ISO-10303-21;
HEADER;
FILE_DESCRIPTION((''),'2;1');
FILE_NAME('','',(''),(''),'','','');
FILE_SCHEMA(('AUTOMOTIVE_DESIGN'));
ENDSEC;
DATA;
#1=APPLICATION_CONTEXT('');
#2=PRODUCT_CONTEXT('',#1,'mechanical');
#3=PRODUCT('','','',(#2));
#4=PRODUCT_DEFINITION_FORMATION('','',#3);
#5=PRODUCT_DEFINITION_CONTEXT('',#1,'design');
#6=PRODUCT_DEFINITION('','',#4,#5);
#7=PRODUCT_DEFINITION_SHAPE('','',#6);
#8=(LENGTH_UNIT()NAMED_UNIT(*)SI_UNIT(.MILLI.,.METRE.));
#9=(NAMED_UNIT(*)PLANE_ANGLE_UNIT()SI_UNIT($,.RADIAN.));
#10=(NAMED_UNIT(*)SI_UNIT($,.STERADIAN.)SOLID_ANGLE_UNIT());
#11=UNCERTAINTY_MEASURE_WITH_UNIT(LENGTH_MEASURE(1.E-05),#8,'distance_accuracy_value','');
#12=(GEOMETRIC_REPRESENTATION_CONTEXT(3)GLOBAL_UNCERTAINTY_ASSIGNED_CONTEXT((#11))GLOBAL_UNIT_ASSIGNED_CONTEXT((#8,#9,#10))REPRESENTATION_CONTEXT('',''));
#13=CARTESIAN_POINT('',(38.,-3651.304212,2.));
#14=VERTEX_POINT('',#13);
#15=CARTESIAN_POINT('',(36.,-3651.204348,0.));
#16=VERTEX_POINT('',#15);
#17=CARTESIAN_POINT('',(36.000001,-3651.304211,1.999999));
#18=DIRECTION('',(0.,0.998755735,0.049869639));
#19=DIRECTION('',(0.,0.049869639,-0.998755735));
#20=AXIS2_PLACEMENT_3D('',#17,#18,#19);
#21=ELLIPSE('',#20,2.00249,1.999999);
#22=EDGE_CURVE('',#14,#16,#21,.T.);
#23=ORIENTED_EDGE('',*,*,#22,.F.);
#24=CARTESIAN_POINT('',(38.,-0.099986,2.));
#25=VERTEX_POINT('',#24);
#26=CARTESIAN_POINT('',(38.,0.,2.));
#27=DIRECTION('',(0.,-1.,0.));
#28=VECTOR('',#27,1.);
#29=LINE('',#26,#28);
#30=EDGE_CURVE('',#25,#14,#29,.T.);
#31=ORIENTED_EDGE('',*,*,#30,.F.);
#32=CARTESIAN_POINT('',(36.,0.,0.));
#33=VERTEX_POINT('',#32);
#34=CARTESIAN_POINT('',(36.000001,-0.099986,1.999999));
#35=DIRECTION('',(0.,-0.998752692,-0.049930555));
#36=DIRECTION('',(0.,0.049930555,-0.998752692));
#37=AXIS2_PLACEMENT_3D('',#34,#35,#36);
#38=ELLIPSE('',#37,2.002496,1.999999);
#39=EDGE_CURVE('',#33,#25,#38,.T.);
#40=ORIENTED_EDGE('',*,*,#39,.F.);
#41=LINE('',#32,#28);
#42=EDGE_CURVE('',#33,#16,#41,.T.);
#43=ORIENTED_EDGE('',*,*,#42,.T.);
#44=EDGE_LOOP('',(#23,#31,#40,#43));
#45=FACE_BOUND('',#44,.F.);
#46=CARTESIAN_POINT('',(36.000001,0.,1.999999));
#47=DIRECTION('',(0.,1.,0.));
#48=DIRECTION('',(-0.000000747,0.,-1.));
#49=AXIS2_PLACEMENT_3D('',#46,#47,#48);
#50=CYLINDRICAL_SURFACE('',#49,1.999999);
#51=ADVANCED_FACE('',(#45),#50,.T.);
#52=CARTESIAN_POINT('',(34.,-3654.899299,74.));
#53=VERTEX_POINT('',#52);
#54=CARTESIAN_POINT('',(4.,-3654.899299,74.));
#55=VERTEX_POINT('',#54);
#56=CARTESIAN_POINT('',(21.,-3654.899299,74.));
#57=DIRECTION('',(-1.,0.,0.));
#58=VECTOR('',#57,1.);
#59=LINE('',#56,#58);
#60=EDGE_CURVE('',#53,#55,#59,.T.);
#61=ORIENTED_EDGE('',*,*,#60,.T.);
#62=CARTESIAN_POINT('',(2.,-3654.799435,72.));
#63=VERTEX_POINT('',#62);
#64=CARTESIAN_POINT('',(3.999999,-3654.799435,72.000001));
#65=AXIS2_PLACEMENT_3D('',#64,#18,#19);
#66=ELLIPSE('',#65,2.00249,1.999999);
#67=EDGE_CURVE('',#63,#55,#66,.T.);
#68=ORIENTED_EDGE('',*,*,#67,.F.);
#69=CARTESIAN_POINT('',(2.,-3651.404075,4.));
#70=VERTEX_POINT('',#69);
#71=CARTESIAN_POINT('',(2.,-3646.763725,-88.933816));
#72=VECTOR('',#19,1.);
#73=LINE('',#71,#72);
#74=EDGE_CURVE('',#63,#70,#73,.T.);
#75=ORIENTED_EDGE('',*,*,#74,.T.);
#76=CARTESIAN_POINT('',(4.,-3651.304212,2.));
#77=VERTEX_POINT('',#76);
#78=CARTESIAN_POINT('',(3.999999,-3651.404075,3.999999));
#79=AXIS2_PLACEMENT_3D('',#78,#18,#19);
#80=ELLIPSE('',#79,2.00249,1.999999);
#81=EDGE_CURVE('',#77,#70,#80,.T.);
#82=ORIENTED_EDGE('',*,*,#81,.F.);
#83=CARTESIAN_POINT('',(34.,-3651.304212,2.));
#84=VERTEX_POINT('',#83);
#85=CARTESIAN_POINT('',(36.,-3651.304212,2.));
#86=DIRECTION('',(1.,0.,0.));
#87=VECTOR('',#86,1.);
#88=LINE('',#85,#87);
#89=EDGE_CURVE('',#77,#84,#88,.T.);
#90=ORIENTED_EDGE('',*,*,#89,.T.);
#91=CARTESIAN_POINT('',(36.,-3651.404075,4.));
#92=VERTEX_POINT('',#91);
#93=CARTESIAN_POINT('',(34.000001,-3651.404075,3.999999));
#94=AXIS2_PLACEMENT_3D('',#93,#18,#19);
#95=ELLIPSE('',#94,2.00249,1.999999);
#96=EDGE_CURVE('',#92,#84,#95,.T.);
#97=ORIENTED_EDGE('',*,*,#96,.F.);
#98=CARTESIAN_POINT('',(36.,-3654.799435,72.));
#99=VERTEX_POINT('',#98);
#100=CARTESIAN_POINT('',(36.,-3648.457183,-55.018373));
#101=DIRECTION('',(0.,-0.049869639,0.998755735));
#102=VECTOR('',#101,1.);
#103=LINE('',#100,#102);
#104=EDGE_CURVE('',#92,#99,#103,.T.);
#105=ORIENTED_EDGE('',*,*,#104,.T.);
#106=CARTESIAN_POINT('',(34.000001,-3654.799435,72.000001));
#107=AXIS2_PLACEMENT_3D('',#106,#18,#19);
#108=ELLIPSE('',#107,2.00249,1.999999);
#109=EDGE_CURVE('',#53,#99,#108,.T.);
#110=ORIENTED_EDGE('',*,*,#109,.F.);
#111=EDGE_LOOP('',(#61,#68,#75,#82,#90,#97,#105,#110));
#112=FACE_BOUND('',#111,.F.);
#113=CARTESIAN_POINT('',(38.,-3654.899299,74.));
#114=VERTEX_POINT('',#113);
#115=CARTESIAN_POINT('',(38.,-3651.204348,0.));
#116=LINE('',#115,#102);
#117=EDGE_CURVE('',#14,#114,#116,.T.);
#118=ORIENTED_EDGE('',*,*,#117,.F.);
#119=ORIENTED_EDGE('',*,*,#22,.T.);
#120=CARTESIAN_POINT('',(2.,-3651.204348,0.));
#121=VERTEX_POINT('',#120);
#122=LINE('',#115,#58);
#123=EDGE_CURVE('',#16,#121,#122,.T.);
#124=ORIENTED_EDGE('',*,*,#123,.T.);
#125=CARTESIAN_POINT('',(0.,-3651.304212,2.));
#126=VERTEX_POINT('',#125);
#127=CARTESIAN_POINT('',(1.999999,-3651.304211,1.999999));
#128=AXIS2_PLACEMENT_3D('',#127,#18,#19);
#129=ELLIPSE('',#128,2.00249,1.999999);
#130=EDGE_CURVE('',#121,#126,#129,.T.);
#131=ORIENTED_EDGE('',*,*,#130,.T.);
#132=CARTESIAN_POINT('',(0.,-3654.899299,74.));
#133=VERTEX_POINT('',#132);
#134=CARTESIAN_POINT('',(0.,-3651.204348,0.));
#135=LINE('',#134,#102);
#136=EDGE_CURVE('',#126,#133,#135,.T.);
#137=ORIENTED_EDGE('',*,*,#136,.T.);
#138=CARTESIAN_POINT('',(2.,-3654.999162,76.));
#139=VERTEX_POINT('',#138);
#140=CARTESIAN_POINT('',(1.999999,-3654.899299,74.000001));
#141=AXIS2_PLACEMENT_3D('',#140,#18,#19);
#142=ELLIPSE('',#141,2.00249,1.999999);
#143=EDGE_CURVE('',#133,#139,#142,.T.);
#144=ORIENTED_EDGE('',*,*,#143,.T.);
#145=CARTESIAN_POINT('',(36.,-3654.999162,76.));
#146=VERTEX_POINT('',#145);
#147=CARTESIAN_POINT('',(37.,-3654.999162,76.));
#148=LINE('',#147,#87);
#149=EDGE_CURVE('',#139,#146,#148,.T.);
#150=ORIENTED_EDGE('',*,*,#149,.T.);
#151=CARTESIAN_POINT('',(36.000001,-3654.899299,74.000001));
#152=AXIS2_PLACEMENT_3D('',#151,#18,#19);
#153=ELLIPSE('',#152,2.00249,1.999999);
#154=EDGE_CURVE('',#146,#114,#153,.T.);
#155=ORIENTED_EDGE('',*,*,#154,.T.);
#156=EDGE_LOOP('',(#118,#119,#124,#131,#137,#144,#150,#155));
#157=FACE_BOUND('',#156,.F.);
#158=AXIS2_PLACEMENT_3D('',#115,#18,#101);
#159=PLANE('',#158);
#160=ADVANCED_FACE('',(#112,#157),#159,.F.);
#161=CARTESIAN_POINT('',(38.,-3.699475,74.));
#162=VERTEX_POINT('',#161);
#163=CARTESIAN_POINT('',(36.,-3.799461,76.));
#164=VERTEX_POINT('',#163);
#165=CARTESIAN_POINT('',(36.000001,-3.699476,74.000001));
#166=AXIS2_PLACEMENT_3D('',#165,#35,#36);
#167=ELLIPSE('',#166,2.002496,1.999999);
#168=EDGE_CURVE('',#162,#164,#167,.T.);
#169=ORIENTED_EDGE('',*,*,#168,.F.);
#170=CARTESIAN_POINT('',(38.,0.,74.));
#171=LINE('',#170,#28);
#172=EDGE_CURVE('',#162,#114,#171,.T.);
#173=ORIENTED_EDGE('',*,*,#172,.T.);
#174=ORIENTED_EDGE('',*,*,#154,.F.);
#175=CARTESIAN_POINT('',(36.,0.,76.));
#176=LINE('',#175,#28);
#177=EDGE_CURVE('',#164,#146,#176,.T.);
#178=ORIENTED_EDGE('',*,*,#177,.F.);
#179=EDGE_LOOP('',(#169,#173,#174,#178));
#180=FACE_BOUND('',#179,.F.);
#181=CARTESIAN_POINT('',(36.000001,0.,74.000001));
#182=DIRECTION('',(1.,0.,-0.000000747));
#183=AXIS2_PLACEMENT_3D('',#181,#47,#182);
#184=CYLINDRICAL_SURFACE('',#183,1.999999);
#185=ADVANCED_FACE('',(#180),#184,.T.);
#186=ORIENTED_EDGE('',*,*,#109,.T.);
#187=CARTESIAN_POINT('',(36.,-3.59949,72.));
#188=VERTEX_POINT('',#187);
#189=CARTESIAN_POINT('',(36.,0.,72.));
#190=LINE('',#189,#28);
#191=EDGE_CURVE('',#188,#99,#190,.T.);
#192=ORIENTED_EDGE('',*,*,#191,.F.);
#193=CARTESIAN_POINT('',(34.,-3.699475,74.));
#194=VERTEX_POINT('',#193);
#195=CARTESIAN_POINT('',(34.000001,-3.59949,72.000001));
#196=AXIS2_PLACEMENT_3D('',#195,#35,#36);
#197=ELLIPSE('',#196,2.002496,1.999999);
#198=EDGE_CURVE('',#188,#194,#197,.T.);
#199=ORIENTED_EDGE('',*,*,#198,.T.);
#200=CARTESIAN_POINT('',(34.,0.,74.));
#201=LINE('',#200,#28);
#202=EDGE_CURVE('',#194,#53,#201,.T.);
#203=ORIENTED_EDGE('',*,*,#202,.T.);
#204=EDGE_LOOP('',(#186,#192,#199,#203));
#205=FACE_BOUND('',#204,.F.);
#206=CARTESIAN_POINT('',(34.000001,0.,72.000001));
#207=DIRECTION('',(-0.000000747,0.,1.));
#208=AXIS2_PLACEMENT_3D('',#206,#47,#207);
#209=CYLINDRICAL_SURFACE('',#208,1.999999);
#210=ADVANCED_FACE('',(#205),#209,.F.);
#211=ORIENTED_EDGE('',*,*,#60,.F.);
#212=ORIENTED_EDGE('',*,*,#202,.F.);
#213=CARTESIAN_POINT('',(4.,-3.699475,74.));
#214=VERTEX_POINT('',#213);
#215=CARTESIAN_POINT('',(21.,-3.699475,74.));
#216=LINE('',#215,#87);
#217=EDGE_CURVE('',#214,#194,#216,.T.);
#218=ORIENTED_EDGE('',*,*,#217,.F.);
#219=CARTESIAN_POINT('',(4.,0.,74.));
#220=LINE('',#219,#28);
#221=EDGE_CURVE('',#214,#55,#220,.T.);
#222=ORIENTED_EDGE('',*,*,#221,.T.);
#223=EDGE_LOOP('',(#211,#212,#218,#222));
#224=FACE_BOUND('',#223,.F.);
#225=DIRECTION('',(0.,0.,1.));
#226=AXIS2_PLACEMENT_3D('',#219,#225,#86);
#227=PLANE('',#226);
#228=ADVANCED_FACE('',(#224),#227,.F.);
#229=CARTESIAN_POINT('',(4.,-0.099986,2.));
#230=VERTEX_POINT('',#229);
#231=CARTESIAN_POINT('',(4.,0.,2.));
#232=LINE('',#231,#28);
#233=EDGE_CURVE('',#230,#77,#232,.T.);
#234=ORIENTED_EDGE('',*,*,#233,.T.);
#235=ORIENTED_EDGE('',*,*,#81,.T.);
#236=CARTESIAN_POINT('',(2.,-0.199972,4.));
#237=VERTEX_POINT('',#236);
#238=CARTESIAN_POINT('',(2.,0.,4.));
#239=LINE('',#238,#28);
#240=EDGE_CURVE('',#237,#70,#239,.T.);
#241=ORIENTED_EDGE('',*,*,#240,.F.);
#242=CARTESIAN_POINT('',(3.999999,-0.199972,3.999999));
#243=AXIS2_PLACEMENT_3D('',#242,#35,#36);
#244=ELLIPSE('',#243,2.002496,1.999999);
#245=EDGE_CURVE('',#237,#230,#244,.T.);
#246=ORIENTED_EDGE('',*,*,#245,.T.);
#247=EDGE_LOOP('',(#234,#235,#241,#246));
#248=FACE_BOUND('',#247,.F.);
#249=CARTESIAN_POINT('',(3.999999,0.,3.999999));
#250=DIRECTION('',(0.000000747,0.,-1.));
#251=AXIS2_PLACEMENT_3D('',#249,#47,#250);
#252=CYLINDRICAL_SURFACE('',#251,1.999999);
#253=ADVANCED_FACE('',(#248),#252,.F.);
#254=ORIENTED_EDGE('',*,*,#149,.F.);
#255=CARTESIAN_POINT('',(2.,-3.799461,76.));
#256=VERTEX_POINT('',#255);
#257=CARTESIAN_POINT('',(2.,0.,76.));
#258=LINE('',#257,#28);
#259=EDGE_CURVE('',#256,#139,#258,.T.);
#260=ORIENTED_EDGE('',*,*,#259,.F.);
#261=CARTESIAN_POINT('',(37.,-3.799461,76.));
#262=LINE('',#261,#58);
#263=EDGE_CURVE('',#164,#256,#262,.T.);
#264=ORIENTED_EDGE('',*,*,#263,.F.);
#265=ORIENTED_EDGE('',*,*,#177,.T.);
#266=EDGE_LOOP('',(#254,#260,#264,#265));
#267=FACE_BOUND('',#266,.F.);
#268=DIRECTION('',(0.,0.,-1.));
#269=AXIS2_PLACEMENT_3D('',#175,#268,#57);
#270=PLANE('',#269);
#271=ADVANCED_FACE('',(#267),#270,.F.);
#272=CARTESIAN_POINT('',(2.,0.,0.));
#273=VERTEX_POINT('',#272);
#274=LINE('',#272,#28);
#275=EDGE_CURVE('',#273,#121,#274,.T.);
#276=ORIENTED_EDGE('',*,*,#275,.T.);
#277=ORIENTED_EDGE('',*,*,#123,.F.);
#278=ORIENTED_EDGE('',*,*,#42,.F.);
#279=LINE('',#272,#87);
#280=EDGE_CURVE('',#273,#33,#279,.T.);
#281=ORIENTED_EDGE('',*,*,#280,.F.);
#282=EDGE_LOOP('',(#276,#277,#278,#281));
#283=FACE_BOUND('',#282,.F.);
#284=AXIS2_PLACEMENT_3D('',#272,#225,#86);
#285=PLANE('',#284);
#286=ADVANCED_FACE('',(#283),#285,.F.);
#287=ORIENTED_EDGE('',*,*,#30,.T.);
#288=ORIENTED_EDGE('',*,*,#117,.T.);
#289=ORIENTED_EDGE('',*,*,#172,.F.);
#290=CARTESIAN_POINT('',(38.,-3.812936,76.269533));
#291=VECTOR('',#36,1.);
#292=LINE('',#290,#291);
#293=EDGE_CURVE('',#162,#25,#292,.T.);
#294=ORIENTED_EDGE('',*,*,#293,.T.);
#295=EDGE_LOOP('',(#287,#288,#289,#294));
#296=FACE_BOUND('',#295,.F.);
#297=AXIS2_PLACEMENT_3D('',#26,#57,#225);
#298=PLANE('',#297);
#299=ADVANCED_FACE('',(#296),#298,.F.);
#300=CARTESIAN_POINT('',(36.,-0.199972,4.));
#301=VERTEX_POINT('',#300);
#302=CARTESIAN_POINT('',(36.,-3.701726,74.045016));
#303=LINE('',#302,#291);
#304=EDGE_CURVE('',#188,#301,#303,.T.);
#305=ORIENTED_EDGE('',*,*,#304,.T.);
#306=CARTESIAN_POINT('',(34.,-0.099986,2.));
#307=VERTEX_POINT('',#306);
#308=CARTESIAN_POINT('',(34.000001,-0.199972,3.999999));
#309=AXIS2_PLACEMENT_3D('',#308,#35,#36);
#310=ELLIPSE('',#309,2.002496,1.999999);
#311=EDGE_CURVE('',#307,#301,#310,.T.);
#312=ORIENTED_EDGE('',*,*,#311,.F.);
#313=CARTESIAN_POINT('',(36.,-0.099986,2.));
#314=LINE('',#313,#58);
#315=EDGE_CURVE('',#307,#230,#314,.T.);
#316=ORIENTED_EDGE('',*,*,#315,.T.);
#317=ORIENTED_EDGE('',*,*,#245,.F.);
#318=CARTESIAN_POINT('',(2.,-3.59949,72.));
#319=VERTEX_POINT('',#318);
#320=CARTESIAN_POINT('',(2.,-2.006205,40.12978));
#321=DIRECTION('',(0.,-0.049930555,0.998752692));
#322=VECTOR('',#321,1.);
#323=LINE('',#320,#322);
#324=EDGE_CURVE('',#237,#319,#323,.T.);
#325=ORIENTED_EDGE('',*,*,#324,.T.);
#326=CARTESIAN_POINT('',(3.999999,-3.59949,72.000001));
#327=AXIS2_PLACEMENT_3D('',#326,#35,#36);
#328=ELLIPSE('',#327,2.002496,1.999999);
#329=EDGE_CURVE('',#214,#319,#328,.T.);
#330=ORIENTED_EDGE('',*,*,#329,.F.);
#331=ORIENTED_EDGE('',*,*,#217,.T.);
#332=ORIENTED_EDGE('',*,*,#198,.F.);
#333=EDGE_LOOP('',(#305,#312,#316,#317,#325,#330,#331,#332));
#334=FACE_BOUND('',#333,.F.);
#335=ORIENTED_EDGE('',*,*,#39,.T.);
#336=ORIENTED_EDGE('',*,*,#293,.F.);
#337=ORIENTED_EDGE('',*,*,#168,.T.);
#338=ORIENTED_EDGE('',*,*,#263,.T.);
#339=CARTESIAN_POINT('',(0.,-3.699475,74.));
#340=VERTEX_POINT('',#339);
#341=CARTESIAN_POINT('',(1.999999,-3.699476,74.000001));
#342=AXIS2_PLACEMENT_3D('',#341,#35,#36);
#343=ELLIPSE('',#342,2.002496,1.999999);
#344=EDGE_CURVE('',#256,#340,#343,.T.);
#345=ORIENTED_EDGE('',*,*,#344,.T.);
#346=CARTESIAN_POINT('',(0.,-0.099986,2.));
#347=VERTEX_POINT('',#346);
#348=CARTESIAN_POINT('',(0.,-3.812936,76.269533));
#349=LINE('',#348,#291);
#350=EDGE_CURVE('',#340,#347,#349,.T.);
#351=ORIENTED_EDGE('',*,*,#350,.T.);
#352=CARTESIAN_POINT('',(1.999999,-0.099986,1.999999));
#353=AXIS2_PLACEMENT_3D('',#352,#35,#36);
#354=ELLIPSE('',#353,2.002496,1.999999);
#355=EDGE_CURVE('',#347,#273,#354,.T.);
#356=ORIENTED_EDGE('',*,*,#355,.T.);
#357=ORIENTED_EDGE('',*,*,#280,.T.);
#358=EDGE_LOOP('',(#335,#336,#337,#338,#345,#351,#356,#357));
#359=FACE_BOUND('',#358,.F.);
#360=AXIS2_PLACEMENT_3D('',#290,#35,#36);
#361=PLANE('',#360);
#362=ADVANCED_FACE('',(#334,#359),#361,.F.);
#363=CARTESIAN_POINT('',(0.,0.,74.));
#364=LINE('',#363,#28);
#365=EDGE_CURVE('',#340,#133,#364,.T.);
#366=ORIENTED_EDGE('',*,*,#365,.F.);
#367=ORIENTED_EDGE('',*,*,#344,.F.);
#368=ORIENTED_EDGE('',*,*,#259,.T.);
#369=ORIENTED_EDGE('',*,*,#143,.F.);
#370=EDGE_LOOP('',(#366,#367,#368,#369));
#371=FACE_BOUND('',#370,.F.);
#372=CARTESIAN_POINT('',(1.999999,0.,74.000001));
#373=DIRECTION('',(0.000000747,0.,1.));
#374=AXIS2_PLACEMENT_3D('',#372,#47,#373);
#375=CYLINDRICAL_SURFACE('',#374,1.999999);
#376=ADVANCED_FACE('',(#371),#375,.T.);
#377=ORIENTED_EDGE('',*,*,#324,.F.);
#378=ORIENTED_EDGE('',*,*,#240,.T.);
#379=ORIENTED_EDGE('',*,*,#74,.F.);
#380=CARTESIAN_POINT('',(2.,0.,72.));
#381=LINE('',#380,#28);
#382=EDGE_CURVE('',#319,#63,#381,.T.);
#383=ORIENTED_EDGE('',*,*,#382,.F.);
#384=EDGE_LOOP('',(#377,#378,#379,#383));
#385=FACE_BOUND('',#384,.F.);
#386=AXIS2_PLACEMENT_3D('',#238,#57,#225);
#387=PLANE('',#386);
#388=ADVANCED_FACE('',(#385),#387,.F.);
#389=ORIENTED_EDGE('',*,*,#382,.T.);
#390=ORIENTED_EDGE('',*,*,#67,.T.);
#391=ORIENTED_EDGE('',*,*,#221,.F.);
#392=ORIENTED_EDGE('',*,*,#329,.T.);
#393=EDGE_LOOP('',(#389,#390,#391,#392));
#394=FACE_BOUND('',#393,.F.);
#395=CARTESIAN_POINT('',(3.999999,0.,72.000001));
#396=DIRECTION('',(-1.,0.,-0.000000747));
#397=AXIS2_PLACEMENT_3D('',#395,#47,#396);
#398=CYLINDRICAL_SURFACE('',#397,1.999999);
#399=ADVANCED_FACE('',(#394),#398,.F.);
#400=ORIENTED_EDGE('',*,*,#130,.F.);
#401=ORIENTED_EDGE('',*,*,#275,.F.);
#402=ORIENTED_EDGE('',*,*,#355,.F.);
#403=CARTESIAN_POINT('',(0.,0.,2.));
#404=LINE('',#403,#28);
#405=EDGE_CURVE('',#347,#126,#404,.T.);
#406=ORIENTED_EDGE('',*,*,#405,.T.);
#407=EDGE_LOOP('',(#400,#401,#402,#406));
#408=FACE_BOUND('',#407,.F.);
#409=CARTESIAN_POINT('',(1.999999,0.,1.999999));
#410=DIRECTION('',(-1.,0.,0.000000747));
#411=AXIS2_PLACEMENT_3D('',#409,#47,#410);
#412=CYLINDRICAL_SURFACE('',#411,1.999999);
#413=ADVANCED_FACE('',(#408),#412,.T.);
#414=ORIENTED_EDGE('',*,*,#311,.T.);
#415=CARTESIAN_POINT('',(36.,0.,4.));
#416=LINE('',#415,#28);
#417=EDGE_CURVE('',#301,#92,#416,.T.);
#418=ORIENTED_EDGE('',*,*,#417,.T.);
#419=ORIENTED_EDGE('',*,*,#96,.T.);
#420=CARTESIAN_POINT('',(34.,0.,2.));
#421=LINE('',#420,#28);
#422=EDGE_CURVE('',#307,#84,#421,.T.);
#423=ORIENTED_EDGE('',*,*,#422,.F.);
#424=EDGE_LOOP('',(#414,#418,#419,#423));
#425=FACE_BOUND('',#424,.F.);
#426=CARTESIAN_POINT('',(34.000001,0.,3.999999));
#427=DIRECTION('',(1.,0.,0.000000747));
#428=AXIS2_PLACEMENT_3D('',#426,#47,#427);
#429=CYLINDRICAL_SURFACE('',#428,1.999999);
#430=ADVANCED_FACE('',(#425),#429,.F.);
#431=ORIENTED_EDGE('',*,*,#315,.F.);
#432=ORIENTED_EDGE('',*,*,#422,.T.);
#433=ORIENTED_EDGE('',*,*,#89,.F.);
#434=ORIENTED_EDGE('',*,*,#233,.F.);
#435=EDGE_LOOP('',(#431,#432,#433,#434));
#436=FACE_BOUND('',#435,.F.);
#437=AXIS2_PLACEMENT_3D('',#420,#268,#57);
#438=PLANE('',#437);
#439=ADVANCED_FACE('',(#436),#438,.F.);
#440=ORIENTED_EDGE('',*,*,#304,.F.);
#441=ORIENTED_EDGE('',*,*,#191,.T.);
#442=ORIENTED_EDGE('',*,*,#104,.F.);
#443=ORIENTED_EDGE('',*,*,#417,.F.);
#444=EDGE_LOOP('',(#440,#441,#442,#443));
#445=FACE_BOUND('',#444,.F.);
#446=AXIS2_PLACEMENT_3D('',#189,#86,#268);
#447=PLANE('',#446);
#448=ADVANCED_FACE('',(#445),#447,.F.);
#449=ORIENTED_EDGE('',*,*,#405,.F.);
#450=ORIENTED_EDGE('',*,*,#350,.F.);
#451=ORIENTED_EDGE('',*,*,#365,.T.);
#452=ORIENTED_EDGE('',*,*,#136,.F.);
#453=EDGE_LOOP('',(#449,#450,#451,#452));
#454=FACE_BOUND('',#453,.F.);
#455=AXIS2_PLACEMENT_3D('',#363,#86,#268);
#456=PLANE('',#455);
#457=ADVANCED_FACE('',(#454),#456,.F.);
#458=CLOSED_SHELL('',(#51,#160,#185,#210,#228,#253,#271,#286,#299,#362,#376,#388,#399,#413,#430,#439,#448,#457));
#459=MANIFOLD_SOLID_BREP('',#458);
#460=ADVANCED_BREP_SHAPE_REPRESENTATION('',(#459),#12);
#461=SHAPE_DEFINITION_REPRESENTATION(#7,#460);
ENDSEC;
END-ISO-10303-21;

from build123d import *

# Parameters (mm, degrees)
F1_DEPTH = 3655
F3_DEPTH = 38
F5_DEPTH = 38


with BuildPart() as f1:
    # F0 (on Front) → F1 (new body)
    with BuildSketch(Plane.XZ):
        with BuildLine():
            ThreePointArc((0, 2), (0.585786, 0.585786), (2, 0))
            Line((2, 0), (36, 0))
            ThreePointArc((36, 0), (37.414214, 0.585786), (38, 2))
            Line((38, 2), (38, 74))
            ThreePointArc((38, 74), (37.414214, 75.414214), (36, 76))
            Line((36, 76), (2, 76))
            ThreePointArc((2, 76), (0.585786, 75.414214), (0, 74))
            Line((0, 74), (0, 2))
        make_face()
        with BuildLine():
            ThreePointArc((4, 2), (2.585786, 2.585786), (2, 4))
            Line((2, 4), (2, 72))
            ThreePointArc((2, 72), (2.585786, 73.414214), (4, 74))
            Line((4, 74), (34, 74))
            ThreePointArc((34, 74), (35.414214, 73.414214), (36, 72))
            Line((36, 72), (36, 4))
            ThreePointArc((36, 4), (35.414214, 2.585786), (34, 2))
            Line((34, 2), (4, 2))
        make_face(mode=Mode.SUBTRACT)
    extrude(amount=F1_DEPTH)

    # F2 (on face) → F3 (cut)
    with BuildSketch(Plane.YZ.offset(38)):
        Polygon((-3.812936, 76.269533), (0, 0), (0, 76.460153), align=None)
    extrude(amount=-F3_DEPTH, mode=Mode.SUBTRACT)

    # F4 (on face) → F5 (cut)
    with BuildSketch(Plane.YZ.offset(38)):
        Polygon((-3655, 76.016776), (-3655.004636, 0), (-3651.204348, 0), align=None)
    extrude(amount=-F5_DEPTH, mode=Mode.SUBTRACT)


solid = f1.part
